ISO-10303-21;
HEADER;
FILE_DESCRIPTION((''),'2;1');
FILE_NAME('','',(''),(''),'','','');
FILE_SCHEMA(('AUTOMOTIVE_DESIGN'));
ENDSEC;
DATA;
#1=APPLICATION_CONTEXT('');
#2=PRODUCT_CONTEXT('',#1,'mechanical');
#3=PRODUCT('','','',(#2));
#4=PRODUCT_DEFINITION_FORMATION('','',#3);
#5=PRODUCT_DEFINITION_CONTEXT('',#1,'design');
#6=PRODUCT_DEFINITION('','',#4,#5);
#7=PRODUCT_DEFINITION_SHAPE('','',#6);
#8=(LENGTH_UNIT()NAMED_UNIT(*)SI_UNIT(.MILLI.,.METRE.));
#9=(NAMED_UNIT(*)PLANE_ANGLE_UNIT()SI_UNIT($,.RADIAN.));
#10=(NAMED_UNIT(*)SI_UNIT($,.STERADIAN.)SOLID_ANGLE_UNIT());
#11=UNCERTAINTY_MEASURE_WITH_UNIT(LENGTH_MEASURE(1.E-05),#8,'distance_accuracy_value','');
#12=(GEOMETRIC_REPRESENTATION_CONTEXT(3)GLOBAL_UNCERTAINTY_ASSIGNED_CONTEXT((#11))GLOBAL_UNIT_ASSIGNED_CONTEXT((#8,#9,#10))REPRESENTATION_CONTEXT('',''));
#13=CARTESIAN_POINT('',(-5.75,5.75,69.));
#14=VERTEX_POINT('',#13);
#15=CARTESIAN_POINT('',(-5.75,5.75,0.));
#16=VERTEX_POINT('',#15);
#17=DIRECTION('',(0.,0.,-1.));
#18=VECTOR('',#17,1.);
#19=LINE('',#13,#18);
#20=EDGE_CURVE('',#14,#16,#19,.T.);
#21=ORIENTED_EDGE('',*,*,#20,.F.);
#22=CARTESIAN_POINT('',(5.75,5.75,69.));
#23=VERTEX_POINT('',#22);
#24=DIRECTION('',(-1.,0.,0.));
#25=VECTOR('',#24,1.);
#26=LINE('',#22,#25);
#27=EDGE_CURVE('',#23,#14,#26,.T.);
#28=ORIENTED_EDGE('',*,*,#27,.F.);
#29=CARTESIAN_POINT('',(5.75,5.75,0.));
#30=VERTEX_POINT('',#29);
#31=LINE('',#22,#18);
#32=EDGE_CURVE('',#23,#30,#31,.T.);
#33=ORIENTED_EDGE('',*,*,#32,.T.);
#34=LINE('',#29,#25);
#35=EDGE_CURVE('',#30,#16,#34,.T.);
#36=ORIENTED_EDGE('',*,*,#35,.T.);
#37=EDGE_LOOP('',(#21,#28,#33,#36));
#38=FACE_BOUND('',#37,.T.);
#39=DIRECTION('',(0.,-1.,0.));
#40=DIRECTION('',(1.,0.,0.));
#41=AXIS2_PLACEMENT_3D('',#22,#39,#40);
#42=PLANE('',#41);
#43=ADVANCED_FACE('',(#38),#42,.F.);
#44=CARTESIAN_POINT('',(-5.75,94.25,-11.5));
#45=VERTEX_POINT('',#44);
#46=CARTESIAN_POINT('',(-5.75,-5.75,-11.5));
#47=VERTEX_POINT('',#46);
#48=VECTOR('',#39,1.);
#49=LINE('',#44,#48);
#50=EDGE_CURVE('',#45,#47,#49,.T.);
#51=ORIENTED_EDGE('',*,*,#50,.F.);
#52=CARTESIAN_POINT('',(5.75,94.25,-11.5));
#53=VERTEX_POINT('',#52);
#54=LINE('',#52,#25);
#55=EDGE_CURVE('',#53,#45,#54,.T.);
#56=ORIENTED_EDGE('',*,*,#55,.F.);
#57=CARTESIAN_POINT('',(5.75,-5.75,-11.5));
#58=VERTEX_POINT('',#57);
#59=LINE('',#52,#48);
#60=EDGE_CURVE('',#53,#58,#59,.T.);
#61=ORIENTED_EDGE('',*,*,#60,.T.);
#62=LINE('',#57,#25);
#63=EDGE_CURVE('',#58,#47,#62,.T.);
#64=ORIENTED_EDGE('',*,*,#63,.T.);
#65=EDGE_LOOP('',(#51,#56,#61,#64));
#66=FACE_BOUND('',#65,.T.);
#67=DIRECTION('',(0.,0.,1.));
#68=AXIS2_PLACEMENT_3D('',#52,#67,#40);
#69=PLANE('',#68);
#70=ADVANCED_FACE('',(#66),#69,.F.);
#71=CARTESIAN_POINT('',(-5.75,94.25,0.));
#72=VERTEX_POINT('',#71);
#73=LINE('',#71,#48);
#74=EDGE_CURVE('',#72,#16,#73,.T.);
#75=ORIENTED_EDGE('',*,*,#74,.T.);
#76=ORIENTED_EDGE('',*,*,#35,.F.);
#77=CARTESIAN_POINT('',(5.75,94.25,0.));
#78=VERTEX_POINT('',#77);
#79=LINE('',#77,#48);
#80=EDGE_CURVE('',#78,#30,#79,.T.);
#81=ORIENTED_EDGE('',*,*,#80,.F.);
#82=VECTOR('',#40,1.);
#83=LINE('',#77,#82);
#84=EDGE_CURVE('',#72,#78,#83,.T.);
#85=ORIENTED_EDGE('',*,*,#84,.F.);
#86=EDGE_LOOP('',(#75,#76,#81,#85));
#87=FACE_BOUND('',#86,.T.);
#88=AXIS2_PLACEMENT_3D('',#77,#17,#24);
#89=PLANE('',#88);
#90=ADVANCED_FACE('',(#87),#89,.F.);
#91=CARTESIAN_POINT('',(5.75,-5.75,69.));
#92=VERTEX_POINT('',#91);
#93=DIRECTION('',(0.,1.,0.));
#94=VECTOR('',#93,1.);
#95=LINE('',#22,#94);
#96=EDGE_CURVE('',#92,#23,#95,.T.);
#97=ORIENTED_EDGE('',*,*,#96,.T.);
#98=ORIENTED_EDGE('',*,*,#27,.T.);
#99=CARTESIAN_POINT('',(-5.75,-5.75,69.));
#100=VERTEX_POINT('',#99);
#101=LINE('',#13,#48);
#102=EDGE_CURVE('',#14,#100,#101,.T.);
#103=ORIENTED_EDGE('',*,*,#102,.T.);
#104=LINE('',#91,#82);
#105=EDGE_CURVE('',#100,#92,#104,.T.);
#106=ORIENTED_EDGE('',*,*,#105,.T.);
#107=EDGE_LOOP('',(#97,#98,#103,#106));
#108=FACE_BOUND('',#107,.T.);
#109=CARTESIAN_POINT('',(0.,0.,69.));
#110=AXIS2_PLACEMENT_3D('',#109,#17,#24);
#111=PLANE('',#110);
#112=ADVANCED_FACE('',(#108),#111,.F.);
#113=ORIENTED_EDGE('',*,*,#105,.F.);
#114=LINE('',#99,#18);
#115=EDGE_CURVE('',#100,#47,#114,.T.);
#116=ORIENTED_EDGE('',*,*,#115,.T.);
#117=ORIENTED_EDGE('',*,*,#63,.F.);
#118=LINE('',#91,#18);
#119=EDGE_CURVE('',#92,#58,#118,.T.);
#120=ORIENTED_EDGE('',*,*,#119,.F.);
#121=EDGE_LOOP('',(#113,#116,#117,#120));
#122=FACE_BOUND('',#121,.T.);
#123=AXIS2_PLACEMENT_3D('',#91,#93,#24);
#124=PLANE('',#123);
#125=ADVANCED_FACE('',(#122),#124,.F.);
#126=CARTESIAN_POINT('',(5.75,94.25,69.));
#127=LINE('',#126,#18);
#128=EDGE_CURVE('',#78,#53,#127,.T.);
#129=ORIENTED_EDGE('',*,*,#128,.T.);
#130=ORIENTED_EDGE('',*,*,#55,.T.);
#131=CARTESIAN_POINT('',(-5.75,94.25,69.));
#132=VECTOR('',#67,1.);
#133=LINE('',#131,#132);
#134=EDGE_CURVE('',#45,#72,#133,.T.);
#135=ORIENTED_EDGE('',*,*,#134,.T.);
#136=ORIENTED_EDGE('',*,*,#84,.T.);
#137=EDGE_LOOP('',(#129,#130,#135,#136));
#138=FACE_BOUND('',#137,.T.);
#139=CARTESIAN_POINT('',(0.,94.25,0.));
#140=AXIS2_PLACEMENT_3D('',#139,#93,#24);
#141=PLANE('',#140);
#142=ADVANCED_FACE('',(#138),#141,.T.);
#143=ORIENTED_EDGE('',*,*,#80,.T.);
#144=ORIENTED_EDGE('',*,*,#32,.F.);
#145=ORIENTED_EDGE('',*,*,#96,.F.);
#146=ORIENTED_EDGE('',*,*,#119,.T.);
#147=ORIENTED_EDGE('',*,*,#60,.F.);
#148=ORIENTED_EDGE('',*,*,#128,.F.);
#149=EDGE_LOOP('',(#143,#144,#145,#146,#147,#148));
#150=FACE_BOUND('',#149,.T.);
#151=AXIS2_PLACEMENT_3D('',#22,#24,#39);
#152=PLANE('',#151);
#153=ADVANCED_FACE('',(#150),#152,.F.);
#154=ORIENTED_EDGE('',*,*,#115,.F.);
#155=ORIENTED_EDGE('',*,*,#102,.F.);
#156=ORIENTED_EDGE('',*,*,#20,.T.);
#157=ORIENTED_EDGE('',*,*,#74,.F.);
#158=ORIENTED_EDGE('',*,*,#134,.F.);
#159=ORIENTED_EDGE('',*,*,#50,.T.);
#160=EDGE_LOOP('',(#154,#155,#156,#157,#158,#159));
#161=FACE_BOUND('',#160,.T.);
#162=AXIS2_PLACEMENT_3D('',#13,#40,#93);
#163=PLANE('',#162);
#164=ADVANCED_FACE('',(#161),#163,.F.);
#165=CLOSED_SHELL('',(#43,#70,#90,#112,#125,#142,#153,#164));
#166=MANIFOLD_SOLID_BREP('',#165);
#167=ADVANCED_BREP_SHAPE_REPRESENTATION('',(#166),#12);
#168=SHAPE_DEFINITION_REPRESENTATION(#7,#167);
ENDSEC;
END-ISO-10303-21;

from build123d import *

# Parameters (mm, degrees)
SKETCH1_W           = 11.5
SKETCH1_H           = 11.5
BOSS_EXTRUDE1_DEPTH = 69
BOSS_EXTRUDE2_START = -5.75
SKETCH3_W           = 11.5
SKETCH3_H           = 11.5
BOSS_EXTRUDE2_DEPTH = 100


with BuildPart() as part:
    # Sketch1 → Boss-Extrude1 (new body)
    with BuildSketch(Plane.XY):
        Rectangle(SKETCH1_W, SKETCH1_H)
    extrude(amount=BOSS_EXTRUDE1_DEPTH)

    # Sketch3 → Boss-Extrude2 (add)
    with BuildSketch(Plane(origin=(0, 0, 0), x_dir=(1, 0, 0), z_dir=(0, 1, 0)).offset(BOSS_EXTRUDE2_START)):
        with Locations((0, 5.75)):
            Rectangle(SKETCH3_W, SKETCH3_H)
    extrude(amount=BOSS_EXTRUDE2_DEPTH)


solid = part.part
